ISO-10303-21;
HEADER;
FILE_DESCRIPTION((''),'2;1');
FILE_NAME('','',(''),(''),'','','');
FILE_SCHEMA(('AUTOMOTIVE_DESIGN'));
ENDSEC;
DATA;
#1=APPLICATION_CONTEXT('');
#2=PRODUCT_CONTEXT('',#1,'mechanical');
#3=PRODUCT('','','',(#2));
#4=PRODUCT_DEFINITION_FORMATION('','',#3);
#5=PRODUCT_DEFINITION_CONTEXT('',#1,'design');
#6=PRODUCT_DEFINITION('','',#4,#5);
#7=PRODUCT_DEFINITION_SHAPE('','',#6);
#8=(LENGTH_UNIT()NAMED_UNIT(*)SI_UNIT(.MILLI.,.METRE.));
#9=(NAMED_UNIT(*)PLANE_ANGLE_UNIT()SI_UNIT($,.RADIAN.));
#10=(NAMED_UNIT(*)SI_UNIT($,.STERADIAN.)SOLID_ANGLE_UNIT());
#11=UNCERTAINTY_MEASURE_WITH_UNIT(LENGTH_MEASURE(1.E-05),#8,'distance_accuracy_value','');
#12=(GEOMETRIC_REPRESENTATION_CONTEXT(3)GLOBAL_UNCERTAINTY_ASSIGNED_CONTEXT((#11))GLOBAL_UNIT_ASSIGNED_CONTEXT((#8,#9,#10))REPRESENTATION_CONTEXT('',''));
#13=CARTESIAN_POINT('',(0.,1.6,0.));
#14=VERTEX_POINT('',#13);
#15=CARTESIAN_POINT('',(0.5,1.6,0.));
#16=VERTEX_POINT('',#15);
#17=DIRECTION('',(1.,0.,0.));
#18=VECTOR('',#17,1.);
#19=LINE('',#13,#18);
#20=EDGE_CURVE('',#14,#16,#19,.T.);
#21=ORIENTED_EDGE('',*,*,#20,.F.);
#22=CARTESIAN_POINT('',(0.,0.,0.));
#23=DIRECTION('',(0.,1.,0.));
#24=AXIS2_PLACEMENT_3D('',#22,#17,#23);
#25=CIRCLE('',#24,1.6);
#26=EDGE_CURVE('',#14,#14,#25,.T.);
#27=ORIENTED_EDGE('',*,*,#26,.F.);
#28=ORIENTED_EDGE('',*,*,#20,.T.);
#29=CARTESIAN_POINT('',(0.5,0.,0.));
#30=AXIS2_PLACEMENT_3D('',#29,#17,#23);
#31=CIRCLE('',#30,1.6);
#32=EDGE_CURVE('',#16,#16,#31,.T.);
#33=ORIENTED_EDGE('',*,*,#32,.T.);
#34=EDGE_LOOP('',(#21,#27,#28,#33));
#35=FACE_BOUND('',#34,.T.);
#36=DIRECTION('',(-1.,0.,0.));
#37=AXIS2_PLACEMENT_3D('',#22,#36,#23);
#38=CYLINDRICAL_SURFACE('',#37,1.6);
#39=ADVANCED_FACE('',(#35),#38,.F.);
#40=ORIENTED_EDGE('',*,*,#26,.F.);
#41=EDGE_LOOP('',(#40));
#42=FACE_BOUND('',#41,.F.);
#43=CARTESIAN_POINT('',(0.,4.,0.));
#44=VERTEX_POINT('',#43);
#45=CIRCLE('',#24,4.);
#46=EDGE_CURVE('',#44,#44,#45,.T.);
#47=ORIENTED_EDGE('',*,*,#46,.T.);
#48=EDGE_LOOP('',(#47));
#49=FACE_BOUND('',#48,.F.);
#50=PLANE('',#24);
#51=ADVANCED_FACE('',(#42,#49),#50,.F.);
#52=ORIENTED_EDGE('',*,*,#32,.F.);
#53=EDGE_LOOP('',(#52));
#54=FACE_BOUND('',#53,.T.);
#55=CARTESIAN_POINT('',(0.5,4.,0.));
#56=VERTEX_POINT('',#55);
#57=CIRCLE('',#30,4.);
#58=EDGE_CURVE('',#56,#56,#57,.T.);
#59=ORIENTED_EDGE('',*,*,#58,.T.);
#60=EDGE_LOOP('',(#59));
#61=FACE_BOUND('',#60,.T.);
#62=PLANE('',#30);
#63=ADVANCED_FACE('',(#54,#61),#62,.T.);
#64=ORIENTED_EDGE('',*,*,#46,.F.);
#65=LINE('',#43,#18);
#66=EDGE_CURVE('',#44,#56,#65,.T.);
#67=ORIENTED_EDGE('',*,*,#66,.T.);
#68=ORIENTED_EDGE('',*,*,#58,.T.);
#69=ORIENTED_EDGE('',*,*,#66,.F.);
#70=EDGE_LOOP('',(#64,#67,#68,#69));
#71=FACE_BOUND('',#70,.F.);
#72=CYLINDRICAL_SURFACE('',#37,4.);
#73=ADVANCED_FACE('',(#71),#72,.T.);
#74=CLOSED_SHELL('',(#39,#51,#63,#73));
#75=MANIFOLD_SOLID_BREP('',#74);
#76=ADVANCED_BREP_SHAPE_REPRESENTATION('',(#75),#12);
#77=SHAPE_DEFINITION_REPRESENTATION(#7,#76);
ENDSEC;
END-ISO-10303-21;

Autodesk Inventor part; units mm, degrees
ref_plane "YZ Plane" through (0, 0, 0) normal (1, 0, 0) x (0, 1, 0)
ref_plane "XZ Plane" through (0, 0, 0) normal (0, 1, 0) x (-1, 0, 0)
sketch "Sketch" plane through (0, 0, 0) normal (1, 0, 0) x (0, 1, 0)
  circle A0 centre (0, 0) radius 4
  circle A1 centre (0, 0) radius 1.6
  dimension "d0" = 3.2
  dimension "d1" = 8
extrude "Body" add sketch "Sketch" along normal blind 0.5
ref_plane "Work Plane1" through (0, 0, 0) normal (0, 0, 1) x (1, 0, 0)
equation "\"d0\" = SD1"
equation "\"d1\" = SD2"
equation "\"d2\" = SD"
equation "\"SD1\" = 3.2"
equation "\"SD2\" = 8"
equation "\"SD\" = 0.5"
equation "\"SDH\" = 1.6"
equation "\"NND\" = 3"
properties part number "DIN 137 - B3" material "Steel, Mild"
